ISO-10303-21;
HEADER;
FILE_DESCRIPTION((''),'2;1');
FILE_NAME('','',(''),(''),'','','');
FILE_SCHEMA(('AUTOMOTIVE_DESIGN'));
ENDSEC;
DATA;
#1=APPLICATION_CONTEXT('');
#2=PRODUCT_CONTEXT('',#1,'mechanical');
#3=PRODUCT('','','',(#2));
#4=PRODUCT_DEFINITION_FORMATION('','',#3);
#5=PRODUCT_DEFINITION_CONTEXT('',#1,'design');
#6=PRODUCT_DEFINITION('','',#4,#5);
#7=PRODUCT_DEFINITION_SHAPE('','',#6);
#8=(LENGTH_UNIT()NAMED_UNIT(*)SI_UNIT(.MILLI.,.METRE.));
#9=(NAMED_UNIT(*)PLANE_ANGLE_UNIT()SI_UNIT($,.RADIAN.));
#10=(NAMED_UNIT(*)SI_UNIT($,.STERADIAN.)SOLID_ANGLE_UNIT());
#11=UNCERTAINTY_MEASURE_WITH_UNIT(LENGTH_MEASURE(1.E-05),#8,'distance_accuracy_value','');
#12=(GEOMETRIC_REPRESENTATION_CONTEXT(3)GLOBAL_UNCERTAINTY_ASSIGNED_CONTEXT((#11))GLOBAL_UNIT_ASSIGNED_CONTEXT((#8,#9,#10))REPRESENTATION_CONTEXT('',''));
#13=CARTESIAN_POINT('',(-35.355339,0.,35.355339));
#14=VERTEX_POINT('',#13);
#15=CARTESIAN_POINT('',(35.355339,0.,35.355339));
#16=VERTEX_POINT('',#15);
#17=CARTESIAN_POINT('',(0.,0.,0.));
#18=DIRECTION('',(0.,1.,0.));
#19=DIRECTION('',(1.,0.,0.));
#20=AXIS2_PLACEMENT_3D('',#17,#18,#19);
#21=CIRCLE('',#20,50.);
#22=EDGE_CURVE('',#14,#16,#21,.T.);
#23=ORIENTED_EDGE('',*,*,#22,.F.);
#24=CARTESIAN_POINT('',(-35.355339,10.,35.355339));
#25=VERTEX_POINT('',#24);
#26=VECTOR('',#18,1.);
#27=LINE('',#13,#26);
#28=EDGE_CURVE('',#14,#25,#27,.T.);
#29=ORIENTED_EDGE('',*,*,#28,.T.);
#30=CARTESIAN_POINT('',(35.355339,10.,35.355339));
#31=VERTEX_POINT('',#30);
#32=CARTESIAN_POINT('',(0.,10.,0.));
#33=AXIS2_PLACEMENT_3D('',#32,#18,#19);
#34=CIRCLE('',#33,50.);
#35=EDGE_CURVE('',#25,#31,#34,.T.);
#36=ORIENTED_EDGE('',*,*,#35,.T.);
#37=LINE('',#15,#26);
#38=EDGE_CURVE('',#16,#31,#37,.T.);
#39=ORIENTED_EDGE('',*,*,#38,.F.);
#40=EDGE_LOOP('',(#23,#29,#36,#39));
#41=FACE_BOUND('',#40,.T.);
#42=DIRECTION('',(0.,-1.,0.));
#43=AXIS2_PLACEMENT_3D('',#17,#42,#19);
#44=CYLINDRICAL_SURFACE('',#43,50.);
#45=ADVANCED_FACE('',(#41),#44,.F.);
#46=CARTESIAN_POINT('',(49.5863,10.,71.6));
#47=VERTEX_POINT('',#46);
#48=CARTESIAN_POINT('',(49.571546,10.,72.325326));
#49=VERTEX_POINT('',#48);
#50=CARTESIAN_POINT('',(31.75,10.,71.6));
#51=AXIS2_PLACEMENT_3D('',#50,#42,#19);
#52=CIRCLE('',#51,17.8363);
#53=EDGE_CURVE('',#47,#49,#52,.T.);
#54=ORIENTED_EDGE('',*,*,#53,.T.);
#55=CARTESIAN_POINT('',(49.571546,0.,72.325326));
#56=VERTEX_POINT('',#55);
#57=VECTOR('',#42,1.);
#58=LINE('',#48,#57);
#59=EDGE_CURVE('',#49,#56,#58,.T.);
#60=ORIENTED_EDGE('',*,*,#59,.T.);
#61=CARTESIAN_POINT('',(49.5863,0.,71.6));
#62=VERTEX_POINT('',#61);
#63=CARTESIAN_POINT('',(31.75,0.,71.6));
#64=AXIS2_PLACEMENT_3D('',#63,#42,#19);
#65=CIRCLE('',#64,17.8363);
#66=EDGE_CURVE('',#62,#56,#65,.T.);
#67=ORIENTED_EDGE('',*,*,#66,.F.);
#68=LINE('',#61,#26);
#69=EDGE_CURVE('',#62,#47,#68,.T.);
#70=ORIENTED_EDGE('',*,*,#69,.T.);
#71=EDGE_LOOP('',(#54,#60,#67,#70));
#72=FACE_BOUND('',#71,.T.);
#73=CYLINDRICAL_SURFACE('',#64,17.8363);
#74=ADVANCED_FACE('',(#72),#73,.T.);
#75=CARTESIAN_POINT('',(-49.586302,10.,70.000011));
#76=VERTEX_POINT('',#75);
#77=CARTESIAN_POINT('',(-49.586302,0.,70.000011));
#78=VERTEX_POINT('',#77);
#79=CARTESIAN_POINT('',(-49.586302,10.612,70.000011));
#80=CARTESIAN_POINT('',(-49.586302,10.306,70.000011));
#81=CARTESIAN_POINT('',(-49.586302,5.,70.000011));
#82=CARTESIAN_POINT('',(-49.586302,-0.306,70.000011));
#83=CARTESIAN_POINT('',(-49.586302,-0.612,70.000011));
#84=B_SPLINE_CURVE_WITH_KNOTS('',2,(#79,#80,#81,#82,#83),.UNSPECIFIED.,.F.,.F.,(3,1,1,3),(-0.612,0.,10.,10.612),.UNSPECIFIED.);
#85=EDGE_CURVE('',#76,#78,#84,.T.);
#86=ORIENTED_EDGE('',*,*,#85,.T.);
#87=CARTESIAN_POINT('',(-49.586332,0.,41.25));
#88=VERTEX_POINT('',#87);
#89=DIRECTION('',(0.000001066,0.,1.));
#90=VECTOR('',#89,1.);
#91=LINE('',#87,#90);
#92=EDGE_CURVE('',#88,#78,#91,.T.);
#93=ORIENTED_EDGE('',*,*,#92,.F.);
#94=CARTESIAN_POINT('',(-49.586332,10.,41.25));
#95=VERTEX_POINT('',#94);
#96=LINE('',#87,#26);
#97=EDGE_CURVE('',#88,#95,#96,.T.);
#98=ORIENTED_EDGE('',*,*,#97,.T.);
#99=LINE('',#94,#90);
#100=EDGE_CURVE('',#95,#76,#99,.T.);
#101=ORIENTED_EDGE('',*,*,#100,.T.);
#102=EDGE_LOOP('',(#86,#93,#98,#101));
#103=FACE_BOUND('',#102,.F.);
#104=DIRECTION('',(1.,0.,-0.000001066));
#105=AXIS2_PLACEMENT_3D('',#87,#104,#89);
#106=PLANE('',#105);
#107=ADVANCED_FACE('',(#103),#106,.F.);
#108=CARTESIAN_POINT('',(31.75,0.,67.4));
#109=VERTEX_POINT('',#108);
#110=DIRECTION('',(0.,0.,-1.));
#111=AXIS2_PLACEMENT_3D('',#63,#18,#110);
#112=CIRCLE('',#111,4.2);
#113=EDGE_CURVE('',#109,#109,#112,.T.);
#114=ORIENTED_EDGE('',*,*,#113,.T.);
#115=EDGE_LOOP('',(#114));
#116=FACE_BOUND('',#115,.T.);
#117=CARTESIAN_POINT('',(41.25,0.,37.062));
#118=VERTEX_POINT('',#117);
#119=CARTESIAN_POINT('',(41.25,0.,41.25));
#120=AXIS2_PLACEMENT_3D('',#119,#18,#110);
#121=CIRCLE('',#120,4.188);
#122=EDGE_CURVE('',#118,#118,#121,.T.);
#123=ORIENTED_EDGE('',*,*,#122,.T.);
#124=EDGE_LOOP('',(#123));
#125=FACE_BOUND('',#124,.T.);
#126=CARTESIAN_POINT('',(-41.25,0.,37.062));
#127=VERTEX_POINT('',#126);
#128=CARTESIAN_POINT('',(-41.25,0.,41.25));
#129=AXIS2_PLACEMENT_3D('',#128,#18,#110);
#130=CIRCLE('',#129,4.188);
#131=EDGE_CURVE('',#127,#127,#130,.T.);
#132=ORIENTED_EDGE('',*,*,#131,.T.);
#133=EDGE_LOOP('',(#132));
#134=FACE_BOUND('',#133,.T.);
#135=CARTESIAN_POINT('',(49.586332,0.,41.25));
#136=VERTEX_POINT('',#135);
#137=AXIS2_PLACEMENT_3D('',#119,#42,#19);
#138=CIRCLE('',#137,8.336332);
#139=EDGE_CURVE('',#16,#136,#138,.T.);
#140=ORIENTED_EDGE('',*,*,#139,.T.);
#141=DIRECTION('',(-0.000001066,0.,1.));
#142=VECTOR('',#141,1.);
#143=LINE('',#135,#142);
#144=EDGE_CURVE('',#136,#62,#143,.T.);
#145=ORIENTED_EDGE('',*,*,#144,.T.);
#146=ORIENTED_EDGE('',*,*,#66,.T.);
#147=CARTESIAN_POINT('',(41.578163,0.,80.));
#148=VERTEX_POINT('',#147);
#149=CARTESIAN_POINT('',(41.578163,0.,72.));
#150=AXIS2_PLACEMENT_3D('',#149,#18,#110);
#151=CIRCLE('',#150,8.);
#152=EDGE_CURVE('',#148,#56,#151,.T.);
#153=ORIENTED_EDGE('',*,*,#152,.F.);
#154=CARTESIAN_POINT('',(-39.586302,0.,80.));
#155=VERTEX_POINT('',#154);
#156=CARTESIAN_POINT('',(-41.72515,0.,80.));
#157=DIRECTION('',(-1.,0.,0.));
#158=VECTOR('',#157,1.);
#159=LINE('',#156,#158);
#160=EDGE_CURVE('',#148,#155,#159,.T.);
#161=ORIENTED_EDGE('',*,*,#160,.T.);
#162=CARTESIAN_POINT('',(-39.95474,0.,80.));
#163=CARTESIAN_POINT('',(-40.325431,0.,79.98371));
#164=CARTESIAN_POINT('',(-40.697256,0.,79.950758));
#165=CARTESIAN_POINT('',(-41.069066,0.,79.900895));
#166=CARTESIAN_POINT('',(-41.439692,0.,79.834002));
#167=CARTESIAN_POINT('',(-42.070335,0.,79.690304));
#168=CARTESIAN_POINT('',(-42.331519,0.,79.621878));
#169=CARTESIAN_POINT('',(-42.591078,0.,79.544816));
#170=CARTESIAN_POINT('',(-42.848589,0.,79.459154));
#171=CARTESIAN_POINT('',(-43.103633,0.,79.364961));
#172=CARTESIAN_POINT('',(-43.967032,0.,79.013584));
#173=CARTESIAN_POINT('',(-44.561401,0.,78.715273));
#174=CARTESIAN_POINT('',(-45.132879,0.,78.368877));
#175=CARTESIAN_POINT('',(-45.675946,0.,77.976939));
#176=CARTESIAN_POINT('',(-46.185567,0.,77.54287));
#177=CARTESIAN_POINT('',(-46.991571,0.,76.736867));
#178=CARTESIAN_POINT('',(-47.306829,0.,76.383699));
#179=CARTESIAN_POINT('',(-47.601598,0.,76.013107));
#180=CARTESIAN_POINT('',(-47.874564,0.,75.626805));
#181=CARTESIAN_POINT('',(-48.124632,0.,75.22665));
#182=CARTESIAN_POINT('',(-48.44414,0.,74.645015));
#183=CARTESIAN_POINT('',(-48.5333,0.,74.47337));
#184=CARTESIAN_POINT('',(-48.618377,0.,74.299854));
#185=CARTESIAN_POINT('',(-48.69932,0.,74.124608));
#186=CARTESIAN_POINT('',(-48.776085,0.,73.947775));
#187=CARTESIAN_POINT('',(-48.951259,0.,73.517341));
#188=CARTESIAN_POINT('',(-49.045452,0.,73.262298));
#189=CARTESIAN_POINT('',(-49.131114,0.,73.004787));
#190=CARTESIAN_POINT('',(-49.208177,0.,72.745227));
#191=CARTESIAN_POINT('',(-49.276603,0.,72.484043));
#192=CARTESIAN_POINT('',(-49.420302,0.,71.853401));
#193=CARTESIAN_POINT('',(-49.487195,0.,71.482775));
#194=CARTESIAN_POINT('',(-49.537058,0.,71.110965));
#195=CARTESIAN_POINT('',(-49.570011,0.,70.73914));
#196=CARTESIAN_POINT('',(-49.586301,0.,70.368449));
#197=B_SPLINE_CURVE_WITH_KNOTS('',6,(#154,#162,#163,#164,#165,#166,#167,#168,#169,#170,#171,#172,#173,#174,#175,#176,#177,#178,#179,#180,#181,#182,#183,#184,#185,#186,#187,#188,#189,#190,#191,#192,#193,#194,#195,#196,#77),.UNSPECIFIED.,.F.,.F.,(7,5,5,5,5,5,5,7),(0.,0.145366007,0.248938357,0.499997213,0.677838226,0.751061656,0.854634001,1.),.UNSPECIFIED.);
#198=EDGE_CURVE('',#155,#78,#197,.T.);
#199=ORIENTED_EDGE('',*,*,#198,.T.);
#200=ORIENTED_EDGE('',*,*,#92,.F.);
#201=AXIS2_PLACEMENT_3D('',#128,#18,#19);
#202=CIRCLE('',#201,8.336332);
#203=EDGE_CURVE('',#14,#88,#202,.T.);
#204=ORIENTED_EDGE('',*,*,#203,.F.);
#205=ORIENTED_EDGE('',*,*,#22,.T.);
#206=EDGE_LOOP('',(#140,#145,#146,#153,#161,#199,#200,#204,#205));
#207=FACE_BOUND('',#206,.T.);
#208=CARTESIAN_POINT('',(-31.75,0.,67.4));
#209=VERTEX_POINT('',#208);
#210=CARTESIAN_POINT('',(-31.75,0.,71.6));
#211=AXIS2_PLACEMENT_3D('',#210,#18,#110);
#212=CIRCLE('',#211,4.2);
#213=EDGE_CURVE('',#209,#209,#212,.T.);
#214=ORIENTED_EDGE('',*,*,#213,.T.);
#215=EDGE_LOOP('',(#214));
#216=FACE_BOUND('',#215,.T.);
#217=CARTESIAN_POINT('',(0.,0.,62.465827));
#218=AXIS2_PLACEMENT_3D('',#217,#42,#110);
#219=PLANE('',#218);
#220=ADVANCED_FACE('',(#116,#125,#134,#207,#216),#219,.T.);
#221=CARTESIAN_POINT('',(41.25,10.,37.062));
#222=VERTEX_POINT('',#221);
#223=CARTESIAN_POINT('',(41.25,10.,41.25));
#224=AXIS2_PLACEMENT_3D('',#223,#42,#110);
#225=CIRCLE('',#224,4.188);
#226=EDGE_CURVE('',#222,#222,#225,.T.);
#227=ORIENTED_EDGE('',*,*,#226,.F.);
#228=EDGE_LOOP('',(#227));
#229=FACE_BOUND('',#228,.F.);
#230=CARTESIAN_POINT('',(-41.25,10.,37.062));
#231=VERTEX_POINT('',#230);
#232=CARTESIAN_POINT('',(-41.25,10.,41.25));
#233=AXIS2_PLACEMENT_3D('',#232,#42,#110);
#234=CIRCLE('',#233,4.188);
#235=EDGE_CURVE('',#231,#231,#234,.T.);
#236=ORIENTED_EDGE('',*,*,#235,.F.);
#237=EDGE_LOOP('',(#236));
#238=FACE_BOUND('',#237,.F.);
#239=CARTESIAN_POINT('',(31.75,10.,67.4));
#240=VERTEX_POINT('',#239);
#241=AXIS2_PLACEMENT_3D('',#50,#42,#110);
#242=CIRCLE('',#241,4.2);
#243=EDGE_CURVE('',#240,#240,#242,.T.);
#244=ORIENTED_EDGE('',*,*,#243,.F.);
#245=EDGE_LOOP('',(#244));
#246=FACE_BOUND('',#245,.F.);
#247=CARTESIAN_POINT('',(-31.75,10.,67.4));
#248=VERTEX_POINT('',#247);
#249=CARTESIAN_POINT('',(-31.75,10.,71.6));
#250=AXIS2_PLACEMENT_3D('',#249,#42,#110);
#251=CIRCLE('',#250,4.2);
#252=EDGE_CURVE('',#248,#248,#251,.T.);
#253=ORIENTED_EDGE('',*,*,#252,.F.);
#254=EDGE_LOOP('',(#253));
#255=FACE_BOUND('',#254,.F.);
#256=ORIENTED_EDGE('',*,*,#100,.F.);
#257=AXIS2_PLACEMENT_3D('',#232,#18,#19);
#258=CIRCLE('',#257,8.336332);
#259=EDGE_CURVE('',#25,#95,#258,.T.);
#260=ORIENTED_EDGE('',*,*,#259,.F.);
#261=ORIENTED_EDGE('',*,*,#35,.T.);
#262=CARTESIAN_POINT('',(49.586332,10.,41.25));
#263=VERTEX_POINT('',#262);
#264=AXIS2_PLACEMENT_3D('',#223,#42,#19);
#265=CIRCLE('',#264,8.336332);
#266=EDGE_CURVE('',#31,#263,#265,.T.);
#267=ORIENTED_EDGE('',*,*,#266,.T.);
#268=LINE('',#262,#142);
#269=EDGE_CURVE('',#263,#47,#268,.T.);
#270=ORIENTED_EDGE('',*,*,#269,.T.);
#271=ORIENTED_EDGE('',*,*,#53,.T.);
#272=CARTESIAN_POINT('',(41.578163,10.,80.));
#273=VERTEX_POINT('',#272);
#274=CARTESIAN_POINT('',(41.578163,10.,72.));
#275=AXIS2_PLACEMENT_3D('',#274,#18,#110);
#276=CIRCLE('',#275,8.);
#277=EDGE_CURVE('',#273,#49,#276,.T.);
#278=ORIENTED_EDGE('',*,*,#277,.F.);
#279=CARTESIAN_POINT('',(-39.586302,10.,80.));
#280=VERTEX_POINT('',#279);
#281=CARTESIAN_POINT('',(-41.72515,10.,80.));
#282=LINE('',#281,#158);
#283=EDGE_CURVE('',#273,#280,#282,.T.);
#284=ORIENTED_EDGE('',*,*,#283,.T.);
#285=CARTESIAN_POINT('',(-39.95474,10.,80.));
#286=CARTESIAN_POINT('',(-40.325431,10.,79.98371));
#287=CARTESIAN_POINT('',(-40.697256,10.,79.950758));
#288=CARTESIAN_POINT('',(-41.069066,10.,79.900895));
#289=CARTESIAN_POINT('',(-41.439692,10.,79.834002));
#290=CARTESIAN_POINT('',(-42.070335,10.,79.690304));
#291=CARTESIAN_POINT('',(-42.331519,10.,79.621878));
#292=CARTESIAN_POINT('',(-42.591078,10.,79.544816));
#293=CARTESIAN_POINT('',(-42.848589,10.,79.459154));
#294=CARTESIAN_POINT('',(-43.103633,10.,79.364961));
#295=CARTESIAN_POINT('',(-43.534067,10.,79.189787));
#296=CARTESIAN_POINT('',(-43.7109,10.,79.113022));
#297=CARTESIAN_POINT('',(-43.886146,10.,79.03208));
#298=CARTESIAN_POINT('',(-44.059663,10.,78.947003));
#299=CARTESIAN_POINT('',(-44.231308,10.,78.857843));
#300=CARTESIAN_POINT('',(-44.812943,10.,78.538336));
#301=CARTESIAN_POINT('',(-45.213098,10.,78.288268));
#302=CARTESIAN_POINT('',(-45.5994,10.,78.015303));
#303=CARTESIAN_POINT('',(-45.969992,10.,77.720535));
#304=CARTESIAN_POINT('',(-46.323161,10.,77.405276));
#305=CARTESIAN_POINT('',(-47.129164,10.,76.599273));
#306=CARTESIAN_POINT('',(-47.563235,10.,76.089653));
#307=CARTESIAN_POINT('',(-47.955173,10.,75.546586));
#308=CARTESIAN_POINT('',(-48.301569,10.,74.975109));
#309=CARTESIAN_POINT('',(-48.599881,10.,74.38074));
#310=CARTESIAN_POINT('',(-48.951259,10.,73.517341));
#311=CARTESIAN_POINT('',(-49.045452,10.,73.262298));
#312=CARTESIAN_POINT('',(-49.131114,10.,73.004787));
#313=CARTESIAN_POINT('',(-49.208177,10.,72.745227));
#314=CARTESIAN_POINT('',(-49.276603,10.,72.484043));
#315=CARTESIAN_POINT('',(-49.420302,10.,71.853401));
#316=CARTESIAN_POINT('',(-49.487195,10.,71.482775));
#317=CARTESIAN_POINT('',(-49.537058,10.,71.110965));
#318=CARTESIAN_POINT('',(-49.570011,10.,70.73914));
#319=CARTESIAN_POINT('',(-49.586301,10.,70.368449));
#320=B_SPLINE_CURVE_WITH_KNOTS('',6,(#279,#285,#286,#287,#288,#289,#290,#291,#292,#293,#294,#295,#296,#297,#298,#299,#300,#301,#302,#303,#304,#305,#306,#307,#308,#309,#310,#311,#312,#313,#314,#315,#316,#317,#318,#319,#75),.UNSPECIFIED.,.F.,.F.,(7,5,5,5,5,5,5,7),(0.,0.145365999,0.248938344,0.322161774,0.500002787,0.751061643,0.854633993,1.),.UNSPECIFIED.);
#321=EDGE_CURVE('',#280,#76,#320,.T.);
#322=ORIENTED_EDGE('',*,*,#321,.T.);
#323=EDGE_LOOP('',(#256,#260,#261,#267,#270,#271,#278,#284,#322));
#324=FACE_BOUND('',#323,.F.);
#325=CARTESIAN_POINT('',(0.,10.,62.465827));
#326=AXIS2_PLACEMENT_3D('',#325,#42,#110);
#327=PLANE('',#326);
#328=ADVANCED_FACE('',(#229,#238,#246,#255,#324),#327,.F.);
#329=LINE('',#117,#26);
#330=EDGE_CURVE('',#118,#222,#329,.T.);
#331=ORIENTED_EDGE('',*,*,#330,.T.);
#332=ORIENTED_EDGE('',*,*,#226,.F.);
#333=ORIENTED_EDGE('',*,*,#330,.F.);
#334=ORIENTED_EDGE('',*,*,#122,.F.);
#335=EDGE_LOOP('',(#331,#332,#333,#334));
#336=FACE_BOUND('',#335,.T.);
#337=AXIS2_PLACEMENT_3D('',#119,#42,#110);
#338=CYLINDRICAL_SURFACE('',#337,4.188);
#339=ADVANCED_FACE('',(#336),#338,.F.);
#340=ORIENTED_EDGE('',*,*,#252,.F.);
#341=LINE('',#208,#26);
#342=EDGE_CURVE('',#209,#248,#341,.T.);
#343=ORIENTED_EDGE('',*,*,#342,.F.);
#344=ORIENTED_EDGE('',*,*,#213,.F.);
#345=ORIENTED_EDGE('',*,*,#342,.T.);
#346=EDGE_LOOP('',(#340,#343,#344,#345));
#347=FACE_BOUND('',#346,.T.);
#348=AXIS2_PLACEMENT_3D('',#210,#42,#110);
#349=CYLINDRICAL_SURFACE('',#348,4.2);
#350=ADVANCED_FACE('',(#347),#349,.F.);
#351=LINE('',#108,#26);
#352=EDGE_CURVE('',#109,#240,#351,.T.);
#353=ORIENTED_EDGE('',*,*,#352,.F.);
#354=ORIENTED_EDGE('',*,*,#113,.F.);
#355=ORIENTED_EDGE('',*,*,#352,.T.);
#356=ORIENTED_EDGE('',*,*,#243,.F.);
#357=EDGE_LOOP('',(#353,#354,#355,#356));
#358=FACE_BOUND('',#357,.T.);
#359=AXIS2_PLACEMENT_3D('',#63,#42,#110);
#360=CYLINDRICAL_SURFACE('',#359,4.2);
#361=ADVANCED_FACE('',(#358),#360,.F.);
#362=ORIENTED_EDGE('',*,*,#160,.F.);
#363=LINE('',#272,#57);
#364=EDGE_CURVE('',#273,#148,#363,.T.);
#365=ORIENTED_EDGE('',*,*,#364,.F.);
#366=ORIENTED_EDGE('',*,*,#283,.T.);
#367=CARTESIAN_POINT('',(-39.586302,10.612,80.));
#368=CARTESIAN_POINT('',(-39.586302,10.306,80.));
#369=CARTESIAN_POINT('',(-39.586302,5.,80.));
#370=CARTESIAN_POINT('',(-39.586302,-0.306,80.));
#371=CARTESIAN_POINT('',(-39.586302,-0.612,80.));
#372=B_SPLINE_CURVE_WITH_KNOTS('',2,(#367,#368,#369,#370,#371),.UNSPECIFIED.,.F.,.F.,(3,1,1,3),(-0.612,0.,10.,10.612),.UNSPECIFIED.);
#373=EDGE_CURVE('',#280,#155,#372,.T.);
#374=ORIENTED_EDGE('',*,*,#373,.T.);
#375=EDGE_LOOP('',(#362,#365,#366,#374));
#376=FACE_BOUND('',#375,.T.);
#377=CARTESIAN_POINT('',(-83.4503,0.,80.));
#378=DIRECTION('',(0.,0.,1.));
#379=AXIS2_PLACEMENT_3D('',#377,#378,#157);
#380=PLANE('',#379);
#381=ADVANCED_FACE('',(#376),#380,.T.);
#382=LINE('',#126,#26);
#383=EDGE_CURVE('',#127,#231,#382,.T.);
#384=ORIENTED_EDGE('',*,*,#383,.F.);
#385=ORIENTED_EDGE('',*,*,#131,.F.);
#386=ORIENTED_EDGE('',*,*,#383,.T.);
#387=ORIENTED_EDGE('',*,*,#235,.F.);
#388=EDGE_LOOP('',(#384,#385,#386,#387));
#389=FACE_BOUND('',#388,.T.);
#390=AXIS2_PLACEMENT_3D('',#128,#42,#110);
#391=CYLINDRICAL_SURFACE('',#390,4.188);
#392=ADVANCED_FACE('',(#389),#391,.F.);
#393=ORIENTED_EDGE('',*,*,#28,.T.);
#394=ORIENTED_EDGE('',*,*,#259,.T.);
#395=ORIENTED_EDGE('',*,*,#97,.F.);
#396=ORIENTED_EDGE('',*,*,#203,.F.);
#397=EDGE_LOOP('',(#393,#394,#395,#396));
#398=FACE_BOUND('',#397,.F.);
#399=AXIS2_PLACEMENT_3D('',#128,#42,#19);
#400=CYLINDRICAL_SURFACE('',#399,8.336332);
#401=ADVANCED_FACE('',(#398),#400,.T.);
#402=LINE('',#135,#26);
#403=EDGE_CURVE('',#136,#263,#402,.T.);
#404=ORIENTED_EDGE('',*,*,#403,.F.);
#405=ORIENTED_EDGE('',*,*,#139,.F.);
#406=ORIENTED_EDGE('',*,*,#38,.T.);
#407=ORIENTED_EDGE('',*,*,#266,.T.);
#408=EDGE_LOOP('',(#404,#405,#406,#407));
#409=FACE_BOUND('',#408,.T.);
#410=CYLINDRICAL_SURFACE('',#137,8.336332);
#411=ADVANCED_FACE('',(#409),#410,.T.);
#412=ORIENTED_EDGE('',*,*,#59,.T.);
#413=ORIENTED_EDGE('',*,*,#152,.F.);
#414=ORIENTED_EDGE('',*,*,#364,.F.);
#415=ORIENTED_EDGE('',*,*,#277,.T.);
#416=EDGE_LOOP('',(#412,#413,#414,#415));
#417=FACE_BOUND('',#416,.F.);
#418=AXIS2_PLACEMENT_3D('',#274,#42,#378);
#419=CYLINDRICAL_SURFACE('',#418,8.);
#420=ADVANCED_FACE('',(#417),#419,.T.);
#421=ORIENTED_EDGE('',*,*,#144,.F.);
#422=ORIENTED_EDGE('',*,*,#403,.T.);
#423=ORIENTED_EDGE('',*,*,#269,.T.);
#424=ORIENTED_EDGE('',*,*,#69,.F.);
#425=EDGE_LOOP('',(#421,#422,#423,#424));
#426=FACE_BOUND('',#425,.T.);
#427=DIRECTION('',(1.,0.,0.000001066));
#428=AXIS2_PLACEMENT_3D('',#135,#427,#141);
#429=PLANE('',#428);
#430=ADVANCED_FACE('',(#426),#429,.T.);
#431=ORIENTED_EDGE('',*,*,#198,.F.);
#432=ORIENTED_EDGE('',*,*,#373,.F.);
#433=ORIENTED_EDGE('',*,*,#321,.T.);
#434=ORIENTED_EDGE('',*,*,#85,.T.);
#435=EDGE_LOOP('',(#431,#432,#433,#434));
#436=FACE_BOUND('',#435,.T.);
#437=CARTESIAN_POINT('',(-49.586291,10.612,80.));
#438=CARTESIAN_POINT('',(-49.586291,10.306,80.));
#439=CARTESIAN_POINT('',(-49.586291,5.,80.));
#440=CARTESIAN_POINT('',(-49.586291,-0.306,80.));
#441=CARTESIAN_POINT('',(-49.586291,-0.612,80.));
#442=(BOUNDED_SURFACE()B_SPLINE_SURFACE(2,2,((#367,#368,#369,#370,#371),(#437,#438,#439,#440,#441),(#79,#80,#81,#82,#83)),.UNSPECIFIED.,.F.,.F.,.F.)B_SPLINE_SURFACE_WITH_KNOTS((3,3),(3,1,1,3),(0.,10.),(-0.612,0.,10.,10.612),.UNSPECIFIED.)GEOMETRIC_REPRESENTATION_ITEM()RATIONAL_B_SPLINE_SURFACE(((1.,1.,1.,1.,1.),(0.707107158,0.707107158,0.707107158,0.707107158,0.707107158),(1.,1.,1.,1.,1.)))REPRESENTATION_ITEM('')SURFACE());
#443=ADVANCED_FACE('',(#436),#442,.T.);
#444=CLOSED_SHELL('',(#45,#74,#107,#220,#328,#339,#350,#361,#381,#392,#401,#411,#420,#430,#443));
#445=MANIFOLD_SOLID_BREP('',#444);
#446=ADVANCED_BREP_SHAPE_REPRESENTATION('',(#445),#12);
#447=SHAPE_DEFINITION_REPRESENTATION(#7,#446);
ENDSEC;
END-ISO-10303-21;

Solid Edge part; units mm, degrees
sketch "Sketch1" plane through (0, 0, 0) normal (0, -1, 0) x (1, 0, 0)
  arc A0 (-35.3553, 35.3553) -> (35.3553, 35.3553) centre (0, 0) cw
  arc A1 (35.3553, 35.3553) -> (49.5863, 41.25) centre (41.25, 41.25) ccw
  line L0 (49.5863, 41.25) -> (49.5863, 71.6)
  arc A2 (49.5863, 71.6) -> (31.75, 89.4363) centre (31.75, 71.6) ccw
  line L1 (-31.75, 89.4363) -> (31.75, 89.4363)
  arc A3 (-49.5863, 71.6) -> (-31.75, 89.4363) centre (-31.75, 71.6) cw
  line L2 (-49.5863, 41.25) -> (-49.5863, 71.6)
  arc A4 (-35.3553, 35.3553) -> (-49.5863, 41.25) centre (-41.25, 41.25) cw
  dimension "D1" = 50
  dimension "D2" = 30.35
  dimension "D3" = 30.35
extrude "Protrusion1" add sketch "Sketch1" against normal blind 10
thread "Thread1" [suppressed]
thread "Thread2" [suppressed]
hole "Hole_1" at (-31.75, 0, 71.6) direction (0, 1, 0) diameter 8.4 end up to next
hole "Hole1" at (31.75, 0, 71.6) direction (0, 1, 0) diameter 8.4 end up to next
sketch "Sketch2" plane through (0, 0, 61.425) normal (0, -1, 0) x (1, 0, 0)
  line L0 (-83.4503, 18.575) -> (83.4503, 18.575)
  dimension "D1" = 80
  dimension "D2" = 166.9006
extrude "ExtrudedCutout_1" cut sketch "Sketch2" against normal blind 30.8448 and the other way blind 163.4824 material side at (0, 0, 80.05)
fillet "Round_1" radius 8 1 edges at (47.4845, 5, 80)
fillet "Round_2" radius 10 1 edges at (-47.4845, 5, 80)
hole "Hole_3" at (-41.25, 0, 41.25) direction (0, 1, 0) diameter 8.376 end up to next thread major 10 thread length 2
hole "Hole2" at (41.25, 0, 41.25) direction (0, 1, 0) diameter 8.376 end up to next thread major 10 thread length 2
properties material "Iron, grey cast type 40"
